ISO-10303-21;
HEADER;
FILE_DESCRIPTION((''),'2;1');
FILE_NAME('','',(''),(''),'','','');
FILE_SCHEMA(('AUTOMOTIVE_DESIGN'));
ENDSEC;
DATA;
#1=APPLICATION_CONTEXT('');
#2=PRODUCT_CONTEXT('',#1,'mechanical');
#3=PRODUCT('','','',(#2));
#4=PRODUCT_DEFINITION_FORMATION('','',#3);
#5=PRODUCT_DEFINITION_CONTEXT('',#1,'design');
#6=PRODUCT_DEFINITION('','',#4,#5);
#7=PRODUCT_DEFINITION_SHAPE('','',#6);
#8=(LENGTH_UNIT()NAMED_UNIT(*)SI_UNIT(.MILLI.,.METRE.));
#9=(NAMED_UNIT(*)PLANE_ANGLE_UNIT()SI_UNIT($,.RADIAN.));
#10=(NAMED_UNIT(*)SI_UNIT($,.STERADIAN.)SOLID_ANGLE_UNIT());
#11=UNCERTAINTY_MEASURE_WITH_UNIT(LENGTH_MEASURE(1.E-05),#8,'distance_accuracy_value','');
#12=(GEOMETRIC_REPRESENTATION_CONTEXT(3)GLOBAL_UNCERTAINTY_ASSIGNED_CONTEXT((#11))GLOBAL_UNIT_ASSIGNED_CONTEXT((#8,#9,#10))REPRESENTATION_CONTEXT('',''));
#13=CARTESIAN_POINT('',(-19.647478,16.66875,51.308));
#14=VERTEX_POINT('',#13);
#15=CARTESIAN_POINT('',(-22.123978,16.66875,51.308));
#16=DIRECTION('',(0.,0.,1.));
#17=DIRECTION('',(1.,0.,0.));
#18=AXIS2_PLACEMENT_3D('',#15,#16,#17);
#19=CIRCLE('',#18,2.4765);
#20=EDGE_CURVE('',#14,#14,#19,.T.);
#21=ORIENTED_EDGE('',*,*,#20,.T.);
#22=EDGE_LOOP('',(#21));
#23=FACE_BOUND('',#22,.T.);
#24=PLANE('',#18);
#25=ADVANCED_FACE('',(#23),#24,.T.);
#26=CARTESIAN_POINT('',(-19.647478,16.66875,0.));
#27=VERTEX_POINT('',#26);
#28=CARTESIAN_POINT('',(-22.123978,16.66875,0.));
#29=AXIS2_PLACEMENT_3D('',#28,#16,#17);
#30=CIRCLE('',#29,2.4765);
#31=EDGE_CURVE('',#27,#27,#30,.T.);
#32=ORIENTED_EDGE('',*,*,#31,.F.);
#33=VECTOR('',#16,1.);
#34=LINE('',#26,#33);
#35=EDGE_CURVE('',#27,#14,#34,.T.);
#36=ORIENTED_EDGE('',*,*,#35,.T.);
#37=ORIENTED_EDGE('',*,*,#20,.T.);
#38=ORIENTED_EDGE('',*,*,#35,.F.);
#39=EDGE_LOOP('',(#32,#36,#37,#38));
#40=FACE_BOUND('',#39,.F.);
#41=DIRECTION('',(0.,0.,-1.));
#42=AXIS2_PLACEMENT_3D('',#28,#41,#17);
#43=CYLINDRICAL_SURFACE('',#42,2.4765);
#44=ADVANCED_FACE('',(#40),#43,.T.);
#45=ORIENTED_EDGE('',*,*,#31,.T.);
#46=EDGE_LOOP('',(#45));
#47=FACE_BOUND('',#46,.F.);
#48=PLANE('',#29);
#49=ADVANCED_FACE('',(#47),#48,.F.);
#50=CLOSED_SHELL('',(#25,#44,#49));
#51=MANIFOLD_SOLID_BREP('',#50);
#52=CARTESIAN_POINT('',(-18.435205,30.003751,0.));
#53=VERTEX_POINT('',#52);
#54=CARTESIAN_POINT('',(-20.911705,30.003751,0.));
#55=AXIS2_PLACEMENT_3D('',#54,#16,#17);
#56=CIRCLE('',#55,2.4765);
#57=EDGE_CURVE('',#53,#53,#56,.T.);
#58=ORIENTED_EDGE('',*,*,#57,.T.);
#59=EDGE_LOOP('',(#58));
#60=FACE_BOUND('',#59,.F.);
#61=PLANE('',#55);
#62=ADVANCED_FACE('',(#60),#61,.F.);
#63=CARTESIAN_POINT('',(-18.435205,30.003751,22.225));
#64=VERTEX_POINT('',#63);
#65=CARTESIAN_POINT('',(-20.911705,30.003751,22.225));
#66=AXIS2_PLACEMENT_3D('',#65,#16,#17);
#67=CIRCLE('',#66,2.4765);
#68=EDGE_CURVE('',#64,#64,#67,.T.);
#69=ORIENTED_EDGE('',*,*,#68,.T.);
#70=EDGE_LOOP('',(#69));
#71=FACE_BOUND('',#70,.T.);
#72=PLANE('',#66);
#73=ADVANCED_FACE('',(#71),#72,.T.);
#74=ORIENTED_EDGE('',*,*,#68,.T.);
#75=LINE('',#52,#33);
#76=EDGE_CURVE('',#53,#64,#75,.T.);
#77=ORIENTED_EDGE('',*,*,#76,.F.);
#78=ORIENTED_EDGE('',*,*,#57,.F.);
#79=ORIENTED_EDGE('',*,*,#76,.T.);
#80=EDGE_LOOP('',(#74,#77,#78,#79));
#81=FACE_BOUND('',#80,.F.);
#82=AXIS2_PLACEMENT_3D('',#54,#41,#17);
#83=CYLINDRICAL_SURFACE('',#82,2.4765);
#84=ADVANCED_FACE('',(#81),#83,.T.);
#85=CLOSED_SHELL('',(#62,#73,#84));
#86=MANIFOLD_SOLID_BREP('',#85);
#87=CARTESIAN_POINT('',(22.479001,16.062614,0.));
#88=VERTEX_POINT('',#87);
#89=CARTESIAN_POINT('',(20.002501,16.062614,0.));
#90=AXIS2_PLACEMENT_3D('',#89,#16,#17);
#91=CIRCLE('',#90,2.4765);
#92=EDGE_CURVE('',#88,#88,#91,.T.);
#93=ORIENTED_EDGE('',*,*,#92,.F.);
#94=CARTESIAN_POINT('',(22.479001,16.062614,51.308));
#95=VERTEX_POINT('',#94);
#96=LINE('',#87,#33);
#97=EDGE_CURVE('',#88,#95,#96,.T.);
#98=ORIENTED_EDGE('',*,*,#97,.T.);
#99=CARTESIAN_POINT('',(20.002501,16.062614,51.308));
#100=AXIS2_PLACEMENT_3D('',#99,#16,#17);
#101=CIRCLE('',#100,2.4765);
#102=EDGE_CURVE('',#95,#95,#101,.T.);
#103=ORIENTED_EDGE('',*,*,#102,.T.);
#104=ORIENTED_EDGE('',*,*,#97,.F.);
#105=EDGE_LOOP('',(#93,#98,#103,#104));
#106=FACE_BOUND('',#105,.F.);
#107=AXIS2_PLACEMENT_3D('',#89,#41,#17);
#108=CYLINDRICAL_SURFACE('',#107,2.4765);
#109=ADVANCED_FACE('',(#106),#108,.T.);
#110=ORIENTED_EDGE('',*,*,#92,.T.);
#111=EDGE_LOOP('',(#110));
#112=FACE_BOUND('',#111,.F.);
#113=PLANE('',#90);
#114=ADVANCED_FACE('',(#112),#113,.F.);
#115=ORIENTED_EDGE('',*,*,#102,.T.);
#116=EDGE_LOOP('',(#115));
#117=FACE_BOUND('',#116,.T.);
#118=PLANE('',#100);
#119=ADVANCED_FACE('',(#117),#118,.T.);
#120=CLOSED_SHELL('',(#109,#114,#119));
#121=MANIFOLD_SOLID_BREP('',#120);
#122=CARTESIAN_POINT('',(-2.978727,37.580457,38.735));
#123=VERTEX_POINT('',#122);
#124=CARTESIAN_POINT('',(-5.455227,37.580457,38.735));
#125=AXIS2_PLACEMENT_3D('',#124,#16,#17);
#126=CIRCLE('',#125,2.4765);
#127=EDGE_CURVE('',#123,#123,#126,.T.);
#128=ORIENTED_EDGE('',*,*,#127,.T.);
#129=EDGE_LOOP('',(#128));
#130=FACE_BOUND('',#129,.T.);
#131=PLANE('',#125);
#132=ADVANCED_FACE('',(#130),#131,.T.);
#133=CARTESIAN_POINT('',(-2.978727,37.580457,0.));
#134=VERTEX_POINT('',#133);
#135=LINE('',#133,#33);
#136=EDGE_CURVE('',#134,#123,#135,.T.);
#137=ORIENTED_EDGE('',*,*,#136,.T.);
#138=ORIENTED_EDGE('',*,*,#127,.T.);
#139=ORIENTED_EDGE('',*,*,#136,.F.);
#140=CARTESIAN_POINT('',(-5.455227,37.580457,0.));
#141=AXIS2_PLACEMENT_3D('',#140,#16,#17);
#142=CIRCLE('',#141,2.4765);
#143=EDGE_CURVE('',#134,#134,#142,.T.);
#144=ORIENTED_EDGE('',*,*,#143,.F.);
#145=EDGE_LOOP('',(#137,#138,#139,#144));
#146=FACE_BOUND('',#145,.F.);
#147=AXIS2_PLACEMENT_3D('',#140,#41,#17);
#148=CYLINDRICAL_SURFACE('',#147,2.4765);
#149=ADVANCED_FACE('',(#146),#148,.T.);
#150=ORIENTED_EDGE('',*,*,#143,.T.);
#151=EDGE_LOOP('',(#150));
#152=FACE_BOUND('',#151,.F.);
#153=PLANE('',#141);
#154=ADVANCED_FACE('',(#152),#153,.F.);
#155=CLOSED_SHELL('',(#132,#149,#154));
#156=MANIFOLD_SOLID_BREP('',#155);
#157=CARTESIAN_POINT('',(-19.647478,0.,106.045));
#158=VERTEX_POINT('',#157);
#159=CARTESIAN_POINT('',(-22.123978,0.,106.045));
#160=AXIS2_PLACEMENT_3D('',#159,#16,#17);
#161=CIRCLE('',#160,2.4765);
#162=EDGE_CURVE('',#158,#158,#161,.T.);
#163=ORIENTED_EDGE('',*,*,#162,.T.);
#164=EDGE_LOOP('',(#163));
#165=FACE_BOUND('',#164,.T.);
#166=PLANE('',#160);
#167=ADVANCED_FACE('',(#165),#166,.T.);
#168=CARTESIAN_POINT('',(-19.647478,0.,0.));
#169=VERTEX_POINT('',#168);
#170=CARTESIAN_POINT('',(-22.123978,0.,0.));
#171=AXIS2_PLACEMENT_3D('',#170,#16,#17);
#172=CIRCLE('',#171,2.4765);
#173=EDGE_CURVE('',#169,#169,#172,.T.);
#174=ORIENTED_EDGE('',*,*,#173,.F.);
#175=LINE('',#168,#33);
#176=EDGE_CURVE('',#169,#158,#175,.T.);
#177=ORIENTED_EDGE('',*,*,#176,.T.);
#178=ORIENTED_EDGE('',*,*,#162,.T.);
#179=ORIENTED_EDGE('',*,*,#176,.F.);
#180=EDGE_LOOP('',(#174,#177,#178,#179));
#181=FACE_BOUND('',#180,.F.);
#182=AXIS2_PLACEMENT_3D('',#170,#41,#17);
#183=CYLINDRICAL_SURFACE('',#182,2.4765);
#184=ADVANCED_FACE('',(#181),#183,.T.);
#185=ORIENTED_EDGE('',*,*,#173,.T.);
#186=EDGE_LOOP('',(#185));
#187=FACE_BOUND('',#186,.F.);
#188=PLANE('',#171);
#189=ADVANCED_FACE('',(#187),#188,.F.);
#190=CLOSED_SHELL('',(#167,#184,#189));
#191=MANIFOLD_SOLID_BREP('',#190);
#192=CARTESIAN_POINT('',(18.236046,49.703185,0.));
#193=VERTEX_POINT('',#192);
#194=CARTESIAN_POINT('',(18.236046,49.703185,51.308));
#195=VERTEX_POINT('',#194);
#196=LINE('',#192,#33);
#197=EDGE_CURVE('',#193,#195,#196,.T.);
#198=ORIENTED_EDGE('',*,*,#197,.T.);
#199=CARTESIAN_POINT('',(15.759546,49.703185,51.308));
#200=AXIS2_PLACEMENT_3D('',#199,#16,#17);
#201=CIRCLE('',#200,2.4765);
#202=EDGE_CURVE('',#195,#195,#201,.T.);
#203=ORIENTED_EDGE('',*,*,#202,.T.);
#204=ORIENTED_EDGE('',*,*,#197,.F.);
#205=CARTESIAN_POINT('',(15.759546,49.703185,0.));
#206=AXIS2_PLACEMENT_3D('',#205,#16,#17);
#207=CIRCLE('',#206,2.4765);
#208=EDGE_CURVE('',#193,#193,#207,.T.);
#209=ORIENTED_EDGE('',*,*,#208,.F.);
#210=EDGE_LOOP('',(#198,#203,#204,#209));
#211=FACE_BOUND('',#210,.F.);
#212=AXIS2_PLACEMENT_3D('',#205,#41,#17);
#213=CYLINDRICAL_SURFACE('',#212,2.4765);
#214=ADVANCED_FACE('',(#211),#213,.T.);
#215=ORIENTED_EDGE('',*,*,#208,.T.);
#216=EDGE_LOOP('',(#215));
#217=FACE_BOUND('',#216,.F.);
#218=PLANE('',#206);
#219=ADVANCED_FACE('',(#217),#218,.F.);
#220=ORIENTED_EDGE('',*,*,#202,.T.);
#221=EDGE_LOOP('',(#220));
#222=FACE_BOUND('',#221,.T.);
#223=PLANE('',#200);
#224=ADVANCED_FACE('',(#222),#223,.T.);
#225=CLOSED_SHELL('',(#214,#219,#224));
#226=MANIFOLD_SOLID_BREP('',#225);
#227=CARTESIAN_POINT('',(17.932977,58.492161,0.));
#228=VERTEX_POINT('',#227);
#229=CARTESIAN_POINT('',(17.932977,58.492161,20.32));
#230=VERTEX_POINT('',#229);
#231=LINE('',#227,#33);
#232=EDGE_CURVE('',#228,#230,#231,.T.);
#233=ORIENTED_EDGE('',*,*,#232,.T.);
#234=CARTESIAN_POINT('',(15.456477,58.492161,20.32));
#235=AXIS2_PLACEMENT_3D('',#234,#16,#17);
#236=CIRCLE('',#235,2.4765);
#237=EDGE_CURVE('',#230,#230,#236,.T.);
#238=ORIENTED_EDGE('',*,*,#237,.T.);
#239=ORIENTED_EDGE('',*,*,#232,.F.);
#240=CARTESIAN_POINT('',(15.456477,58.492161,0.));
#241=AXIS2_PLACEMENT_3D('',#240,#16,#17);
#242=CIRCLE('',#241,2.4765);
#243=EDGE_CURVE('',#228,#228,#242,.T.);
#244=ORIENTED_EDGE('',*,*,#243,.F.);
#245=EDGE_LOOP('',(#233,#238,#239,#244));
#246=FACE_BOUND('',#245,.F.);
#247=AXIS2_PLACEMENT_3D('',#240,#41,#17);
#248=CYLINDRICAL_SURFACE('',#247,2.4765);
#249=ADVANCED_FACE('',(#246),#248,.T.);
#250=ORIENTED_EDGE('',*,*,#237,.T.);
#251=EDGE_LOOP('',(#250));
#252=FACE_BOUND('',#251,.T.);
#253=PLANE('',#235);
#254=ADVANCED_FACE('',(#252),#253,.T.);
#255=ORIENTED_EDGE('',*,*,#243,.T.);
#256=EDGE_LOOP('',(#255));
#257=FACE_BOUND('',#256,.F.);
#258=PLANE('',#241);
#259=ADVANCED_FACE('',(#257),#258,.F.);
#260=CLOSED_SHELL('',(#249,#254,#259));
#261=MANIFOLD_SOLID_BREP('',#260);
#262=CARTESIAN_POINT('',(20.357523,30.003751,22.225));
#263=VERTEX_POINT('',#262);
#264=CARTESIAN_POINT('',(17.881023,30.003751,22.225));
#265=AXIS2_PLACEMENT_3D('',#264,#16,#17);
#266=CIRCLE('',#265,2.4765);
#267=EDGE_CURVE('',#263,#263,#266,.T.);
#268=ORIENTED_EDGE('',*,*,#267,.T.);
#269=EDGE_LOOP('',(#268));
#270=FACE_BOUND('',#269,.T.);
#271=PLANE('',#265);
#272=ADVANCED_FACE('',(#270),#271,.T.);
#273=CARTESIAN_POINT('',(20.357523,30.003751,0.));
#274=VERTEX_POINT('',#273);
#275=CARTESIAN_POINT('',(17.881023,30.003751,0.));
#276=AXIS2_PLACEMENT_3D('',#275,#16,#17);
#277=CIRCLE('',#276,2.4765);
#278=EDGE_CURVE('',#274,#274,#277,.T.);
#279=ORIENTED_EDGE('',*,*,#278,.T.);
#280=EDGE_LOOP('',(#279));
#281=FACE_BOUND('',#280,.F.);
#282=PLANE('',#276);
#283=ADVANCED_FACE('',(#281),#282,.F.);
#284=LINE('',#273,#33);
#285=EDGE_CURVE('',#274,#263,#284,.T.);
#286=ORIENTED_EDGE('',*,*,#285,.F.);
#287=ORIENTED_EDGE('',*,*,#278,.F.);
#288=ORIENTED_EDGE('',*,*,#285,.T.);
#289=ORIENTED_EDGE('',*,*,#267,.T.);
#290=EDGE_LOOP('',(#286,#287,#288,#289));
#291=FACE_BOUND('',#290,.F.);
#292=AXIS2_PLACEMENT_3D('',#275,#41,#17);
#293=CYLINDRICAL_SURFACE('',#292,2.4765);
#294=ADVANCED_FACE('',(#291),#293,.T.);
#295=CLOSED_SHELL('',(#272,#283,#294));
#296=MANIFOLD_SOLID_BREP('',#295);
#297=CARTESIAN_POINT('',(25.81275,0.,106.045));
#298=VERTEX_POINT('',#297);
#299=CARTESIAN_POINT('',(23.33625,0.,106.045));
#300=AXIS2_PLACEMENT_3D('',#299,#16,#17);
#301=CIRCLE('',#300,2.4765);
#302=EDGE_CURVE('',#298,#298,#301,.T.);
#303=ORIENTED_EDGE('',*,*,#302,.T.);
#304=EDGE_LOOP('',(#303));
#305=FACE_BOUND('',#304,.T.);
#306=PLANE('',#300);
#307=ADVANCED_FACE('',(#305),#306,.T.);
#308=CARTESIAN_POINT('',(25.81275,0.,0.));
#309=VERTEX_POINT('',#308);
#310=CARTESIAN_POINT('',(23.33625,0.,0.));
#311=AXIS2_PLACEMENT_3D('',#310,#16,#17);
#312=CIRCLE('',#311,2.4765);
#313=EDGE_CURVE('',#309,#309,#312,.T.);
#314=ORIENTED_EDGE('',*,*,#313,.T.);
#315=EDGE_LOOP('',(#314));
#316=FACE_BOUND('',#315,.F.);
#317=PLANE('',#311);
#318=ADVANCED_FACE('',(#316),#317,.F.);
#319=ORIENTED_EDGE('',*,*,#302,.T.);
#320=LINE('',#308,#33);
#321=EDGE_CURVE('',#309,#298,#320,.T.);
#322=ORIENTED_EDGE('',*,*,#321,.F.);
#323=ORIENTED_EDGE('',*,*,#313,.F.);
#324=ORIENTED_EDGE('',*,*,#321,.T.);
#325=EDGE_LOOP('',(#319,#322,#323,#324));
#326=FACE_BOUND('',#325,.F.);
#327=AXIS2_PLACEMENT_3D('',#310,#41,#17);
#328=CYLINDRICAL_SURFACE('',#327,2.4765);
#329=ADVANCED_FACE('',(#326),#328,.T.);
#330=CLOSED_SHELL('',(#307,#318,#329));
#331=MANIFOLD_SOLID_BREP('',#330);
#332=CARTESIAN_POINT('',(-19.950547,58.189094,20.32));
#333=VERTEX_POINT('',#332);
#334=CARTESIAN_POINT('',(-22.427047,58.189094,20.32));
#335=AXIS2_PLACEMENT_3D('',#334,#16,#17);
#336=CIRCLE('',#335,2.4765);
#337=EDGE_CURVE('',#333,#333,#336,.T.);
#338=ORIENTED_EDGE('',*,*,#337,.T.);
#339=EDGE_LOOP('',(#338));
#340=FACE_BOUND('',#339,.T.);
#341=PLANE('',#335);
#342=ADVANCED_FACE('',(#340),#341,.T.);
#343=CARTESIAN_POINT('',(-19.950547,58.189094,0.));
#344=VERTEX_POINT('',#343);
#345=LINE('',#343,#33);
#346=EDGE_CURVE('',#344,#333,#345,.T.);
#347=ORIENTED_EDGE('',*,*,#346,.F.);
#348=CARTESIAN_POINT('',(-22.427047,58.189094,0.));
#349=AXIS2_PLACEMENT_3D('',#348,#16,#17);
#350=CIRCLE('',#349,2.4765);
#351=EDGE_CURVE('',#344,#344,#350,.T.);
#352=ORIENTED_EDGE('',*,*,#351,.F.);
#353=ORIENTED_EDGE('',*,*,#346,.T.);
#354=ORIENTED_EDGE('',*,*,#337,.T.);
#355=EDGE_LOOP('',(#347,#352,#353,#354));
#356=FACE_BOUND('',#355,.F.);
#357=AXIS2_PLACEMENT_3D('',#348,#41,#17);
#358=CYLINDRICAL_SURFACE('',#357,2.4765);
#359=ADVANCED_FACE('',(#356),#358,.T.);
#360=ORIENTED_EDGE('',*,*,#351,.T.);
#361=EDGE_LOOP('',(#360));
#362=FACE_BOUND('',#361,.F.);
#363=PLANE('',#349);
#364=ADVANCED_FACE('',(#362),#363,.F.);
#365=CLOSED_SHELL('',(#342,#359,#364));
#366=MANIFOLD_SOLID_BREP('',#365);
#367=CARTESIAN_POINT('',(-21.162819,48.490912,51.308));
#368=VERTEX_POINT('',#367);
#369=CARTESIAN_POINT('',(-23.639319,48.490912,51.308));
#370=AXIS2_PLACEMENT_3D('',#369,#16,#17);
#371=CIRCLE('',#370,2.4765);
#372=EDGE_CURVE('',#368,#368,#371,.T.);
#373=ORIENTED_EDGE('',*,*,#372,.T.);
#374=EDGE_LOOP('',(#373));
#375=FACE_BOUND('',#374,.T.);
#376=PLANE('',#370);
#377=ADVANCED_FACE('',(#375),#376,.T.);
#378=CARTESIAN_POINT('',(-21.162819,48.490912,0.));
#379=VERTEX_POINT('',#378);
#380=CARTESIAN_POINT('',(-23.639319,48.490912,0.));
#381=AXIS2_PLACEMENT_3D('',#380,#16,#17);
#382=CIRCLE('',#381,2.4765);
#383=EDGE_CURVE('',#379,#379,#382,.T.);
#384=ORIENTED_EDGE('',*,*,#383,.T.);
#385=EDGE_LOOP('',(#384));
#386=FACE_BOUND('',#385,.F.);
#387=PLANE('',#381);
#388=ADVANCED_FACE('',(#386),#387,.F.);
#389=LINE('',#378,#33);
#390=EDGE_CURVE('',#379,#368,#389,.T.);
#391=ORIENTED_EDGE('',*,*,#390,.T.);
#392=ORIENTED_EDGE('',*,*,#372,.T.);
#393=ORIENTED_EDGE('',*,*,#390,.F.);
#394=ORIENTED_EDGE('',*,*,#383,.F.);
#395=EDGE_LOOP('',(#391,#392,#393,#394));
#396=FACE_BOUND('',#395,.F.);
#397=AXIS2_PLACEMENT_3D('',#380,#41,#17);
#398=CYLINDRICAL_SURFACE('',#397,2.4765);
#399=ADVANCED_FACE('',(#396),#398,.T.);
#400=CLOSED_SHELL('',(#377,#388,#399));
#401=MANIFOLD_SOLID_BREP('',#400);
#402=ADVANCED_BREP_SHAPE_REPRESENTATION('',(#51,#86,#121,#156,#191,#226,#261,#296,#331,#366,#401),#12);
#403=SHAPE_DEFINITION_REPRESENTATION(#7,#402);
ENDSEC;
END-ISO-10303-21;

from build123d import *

# Parameters (mm, degrees)
F0_R      = 2.4765
F1_DEPTH  = 106.045
F2_R      = 2.4765
F3_DEPTH  = 51.308
F4_R      = 2.4765
F5_DEPTH  = 22.225
F6_R      = 2.4765
F7_DEPTH  = 38.735
F8_R      = 2.4765
F9_DEPTH  = 51.308
F10_R     = 2.4765
F11_DEPTH = 20.32


with BuildPart() as f1:
    # F0 (on Top) → F1 (new body)
    with BuildSketch(Plane.XY):
        with Locations((-22.123978, 0)):
            Circle(F0_R)
        with Locations((23.33625, 0)):
            Circle(F0_R)
    extrude(amount=F1_DEPTH)


with BuildPart() as f3:
    # F2 (on Top) → F3 (new body)
    with BuildSketch(Plane.XY):
        with Locations((-22.123978, 16.66875)):
            Circle(F2_R)
        with Locations((20.002501, 16.062614)):
            Circle(F2_R)
    extrude(amount=F3_DEPTH)


with BuildPart() as f5:
    # F4 (on Top) → F5 (new body)
    with BuildSketch(Plane.XY):
        with Locations((-20.911705, 30.003751)):
            Circle(F4_R)
        with Locations((17.881023, 30.003751)):
            Circle(F4_R)
    extrude(amount=F5_DEPTH)


with BuildPart() as f7:
    # F6 (on Top) → F7 (new body)
    with BuildSketch(Plane.XY):
        with Locations((-5.455227, 37.580457)):
            Circle(F6_R)
    extrude(amount=F7_DEPTH)


with BuildPart() as f9:
    # F8 (on Top) → F9 (new body)
    with BuildSketch(Plane.XY):
        with Locations((-23.639319, 48.490912)):
            Circle(F8_R)
        with Locations((15.759546, 49.703185)):
            Circle(F8_R)
    extrude(amount=F9_DEPTH)


with BuildPart() as f11:
    # F10 (on Top) → F11 (new body)
    with BuildSketch(Plane.XY):
        with Locations((-22.427047, 58.189094)):
            Circle(F10_R)
        with Locations((15.456477, 58.492161)):
            Circle(F10_R)
    extrude(amount=F11_DEPTH)


solid = Compound([f1.part, f3.part, f5.part, f7.part, f9.part, f11.part])
